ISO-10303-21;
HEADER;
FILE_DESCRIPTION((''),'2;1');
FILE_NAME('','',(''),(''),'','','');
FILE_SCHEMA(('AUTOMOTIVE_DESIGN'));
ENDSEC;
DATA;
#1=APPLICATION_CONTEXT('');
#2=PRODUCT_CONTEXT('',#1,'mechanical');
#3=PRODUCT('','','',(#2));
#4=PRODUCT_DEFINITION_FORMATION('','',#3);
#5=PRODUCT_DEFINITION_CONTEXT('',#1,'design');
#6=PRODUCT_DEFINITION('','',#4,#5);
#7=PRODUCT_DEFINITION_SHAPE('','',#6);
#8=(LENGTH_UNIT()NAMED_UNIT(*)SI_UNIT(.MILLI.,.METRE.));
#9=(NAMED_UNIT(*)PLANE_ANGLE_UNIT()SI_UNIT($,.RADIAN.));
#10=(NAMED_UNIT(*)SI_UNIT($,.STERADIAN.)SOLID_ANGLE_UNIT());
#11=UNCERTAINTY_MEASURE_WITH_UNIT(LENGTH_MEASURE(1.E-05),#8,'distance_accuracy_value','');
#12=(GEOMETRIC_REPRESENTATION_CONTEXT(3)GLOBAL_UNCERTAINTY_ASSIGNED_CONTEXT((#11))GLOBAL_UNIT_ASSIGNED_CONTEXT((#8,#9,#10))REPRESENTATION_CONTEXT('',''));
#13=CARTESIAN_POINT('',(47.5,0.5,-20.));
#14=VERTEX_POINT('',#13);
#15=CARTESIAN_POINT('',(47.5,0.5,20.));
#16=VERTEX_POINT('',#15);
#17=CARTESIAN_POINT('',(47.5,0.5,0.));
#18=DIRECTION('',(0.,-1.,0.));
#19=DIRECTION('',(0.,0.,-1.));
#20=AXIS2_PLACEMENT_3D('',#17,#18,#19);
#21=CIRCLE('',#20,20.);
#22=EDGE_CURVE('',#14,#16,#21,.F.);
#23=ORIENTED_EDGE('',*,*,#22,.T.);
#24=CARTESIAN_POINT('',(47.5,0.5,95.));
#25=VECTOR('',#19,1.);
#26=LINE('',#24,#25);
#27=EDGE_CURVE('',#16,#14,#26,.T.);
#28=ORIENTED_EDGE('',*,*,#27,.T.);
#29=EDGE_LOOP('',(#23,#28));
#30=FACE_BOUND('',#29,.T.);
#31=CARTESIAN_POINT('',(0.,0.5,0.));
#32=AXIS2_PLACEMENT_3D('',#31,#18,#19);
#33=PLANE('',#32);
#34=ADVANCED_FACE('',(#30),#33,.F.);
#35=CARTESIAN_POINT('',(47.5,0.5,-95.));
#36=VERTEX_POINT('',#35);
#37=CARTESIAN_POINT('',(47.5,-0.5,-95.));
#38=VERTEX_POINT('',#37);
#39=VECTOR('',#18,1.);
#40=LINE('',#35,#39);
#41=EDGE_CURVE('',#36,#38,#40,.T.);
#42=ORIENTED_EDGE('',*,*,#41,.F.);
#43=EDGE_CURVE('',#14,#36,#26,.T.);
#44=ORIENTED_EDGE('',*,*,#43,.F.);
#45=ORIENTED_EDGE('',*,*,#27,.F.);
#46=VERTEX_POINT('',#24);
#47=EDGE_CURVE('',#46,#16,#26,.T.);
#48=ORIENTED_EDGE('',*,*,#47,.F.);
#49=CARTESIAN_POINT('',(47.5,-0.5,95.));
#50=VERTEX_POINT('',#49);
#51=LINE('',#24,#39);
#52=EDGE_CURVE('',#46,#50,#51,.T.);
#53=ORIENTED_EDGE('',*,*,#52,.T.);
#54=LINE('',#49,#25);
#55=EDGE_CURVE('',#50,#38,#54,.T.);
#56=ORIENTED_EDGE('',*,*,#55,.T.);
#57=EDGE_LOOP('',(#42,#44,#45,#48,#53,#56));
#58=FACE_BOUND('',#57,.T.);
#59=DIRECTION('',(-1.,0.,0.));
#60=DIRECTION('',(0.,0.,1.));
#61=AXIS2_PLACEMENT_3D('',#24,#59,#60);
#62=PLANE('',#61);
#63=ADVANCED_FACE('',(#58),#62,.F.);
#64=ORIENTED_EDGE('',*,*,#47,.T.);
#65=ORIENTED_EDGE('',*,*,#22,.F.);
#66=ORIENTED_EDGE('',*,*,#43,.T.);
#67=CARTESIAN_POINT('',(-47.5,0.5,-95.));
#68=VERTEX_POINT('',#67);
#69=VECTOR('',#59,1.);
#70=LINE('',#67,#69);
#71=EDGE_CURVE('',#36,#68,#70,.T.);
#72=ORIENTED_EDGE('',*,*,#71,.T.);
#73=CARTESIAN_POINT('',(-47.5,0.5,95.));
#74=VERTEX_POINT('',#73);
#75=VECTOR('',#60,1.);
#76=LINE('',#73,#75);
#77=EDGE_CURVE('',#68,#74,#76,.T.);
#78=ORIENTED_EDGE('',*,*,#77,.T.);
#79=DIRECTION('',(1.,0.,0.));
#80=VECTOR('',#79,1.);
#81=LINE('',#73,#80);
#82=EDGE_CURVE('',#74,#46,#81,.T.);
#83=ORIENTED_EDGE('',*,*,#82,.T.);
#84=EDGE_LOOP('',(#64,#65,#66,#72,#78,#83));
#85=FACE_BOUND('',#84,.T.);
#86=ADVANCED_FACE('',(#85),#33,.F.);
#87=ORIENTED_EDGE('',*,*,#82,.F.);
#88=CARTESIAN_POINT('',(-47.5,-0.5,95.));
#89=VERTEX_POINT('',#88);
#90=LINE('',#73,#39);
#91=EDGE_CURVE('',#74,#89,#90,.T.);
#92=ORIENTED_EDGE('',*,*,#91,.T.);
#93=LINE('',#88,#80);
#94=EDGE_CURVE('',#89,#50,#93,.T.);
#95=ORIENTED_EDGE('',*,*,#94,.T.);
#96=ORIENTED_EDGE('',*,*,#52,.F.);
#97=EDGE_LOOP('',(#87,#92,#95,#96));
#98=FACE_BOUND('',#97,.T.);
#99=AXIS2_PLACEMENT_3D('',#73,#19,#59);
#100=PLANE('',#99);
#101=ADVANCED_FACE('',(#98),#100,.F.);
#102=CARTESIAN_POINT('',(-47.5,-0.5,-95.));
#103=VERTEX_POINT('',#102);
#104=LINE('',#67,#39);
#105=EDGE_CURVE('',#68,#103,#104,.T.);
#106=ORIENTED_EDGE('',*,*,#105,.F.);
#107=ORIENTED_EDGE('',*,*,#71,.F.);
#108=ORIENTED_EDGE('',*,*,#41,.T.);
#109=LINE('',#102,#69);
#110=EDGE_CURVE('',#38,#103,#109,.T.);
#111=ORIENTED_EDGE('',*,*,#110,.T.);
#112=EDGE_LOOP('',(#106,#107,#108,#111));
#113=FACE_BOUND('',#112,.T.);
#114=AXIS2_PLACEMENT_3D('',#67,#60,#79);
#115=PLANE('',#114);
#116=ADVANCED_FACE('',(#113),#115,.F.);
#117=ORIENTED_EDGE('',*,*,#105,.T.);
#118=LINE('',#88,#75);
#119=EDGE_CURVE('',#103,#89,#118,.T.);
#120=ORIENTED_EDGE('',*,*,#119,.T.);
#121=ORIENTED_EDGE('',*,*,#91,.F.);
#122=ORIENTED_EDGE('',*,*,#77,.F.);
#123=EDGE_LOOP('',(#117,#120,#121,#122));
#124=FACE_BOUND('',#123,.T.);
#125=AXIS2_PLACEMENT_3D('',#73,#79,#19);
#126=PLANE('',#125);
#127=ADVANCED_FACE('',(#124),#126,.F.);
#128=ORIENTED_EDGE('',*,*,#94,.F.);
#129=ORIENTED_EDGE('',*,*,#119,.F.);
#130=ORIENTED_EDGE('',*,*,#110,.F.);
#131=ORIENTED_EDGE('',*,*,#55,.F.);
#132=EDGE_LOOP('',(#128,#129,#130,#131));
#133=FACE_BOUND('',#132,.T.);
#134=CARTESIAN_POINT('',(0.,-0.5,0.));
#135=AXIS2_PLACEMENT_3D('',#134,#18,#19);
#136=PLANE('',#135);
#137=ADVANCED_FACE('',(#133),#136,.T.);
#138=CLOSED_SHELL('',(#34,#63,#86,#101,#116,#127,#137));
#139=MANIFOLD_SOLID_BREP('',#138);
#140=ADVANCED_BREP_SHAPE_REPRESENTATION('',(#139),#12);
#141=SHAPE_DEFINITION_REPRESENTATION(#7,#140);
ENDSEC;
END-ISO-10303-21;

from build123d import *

# Parameters (mm, degrees)
SKETCH1_W           = 94.999999992
SKETCH1_H           = 189.999999984
BOSS_EXTRUDE1_DEPTH = 0.5


with BuildPart() as part:
    # Sketch1 → Boss-Extrude1 (new, symmetric)
    with BuildSketch(Plane(origin=(0, 0, 0), x_dir=(1, 0, 0), z_dir=(0, 1, 0))):
        Rectangle(SKETCH1_W, SKETCH1_H)
    extrude(amount=BOSS_EXTRUDE1_DEPTH, both=True)


solid = part.part
